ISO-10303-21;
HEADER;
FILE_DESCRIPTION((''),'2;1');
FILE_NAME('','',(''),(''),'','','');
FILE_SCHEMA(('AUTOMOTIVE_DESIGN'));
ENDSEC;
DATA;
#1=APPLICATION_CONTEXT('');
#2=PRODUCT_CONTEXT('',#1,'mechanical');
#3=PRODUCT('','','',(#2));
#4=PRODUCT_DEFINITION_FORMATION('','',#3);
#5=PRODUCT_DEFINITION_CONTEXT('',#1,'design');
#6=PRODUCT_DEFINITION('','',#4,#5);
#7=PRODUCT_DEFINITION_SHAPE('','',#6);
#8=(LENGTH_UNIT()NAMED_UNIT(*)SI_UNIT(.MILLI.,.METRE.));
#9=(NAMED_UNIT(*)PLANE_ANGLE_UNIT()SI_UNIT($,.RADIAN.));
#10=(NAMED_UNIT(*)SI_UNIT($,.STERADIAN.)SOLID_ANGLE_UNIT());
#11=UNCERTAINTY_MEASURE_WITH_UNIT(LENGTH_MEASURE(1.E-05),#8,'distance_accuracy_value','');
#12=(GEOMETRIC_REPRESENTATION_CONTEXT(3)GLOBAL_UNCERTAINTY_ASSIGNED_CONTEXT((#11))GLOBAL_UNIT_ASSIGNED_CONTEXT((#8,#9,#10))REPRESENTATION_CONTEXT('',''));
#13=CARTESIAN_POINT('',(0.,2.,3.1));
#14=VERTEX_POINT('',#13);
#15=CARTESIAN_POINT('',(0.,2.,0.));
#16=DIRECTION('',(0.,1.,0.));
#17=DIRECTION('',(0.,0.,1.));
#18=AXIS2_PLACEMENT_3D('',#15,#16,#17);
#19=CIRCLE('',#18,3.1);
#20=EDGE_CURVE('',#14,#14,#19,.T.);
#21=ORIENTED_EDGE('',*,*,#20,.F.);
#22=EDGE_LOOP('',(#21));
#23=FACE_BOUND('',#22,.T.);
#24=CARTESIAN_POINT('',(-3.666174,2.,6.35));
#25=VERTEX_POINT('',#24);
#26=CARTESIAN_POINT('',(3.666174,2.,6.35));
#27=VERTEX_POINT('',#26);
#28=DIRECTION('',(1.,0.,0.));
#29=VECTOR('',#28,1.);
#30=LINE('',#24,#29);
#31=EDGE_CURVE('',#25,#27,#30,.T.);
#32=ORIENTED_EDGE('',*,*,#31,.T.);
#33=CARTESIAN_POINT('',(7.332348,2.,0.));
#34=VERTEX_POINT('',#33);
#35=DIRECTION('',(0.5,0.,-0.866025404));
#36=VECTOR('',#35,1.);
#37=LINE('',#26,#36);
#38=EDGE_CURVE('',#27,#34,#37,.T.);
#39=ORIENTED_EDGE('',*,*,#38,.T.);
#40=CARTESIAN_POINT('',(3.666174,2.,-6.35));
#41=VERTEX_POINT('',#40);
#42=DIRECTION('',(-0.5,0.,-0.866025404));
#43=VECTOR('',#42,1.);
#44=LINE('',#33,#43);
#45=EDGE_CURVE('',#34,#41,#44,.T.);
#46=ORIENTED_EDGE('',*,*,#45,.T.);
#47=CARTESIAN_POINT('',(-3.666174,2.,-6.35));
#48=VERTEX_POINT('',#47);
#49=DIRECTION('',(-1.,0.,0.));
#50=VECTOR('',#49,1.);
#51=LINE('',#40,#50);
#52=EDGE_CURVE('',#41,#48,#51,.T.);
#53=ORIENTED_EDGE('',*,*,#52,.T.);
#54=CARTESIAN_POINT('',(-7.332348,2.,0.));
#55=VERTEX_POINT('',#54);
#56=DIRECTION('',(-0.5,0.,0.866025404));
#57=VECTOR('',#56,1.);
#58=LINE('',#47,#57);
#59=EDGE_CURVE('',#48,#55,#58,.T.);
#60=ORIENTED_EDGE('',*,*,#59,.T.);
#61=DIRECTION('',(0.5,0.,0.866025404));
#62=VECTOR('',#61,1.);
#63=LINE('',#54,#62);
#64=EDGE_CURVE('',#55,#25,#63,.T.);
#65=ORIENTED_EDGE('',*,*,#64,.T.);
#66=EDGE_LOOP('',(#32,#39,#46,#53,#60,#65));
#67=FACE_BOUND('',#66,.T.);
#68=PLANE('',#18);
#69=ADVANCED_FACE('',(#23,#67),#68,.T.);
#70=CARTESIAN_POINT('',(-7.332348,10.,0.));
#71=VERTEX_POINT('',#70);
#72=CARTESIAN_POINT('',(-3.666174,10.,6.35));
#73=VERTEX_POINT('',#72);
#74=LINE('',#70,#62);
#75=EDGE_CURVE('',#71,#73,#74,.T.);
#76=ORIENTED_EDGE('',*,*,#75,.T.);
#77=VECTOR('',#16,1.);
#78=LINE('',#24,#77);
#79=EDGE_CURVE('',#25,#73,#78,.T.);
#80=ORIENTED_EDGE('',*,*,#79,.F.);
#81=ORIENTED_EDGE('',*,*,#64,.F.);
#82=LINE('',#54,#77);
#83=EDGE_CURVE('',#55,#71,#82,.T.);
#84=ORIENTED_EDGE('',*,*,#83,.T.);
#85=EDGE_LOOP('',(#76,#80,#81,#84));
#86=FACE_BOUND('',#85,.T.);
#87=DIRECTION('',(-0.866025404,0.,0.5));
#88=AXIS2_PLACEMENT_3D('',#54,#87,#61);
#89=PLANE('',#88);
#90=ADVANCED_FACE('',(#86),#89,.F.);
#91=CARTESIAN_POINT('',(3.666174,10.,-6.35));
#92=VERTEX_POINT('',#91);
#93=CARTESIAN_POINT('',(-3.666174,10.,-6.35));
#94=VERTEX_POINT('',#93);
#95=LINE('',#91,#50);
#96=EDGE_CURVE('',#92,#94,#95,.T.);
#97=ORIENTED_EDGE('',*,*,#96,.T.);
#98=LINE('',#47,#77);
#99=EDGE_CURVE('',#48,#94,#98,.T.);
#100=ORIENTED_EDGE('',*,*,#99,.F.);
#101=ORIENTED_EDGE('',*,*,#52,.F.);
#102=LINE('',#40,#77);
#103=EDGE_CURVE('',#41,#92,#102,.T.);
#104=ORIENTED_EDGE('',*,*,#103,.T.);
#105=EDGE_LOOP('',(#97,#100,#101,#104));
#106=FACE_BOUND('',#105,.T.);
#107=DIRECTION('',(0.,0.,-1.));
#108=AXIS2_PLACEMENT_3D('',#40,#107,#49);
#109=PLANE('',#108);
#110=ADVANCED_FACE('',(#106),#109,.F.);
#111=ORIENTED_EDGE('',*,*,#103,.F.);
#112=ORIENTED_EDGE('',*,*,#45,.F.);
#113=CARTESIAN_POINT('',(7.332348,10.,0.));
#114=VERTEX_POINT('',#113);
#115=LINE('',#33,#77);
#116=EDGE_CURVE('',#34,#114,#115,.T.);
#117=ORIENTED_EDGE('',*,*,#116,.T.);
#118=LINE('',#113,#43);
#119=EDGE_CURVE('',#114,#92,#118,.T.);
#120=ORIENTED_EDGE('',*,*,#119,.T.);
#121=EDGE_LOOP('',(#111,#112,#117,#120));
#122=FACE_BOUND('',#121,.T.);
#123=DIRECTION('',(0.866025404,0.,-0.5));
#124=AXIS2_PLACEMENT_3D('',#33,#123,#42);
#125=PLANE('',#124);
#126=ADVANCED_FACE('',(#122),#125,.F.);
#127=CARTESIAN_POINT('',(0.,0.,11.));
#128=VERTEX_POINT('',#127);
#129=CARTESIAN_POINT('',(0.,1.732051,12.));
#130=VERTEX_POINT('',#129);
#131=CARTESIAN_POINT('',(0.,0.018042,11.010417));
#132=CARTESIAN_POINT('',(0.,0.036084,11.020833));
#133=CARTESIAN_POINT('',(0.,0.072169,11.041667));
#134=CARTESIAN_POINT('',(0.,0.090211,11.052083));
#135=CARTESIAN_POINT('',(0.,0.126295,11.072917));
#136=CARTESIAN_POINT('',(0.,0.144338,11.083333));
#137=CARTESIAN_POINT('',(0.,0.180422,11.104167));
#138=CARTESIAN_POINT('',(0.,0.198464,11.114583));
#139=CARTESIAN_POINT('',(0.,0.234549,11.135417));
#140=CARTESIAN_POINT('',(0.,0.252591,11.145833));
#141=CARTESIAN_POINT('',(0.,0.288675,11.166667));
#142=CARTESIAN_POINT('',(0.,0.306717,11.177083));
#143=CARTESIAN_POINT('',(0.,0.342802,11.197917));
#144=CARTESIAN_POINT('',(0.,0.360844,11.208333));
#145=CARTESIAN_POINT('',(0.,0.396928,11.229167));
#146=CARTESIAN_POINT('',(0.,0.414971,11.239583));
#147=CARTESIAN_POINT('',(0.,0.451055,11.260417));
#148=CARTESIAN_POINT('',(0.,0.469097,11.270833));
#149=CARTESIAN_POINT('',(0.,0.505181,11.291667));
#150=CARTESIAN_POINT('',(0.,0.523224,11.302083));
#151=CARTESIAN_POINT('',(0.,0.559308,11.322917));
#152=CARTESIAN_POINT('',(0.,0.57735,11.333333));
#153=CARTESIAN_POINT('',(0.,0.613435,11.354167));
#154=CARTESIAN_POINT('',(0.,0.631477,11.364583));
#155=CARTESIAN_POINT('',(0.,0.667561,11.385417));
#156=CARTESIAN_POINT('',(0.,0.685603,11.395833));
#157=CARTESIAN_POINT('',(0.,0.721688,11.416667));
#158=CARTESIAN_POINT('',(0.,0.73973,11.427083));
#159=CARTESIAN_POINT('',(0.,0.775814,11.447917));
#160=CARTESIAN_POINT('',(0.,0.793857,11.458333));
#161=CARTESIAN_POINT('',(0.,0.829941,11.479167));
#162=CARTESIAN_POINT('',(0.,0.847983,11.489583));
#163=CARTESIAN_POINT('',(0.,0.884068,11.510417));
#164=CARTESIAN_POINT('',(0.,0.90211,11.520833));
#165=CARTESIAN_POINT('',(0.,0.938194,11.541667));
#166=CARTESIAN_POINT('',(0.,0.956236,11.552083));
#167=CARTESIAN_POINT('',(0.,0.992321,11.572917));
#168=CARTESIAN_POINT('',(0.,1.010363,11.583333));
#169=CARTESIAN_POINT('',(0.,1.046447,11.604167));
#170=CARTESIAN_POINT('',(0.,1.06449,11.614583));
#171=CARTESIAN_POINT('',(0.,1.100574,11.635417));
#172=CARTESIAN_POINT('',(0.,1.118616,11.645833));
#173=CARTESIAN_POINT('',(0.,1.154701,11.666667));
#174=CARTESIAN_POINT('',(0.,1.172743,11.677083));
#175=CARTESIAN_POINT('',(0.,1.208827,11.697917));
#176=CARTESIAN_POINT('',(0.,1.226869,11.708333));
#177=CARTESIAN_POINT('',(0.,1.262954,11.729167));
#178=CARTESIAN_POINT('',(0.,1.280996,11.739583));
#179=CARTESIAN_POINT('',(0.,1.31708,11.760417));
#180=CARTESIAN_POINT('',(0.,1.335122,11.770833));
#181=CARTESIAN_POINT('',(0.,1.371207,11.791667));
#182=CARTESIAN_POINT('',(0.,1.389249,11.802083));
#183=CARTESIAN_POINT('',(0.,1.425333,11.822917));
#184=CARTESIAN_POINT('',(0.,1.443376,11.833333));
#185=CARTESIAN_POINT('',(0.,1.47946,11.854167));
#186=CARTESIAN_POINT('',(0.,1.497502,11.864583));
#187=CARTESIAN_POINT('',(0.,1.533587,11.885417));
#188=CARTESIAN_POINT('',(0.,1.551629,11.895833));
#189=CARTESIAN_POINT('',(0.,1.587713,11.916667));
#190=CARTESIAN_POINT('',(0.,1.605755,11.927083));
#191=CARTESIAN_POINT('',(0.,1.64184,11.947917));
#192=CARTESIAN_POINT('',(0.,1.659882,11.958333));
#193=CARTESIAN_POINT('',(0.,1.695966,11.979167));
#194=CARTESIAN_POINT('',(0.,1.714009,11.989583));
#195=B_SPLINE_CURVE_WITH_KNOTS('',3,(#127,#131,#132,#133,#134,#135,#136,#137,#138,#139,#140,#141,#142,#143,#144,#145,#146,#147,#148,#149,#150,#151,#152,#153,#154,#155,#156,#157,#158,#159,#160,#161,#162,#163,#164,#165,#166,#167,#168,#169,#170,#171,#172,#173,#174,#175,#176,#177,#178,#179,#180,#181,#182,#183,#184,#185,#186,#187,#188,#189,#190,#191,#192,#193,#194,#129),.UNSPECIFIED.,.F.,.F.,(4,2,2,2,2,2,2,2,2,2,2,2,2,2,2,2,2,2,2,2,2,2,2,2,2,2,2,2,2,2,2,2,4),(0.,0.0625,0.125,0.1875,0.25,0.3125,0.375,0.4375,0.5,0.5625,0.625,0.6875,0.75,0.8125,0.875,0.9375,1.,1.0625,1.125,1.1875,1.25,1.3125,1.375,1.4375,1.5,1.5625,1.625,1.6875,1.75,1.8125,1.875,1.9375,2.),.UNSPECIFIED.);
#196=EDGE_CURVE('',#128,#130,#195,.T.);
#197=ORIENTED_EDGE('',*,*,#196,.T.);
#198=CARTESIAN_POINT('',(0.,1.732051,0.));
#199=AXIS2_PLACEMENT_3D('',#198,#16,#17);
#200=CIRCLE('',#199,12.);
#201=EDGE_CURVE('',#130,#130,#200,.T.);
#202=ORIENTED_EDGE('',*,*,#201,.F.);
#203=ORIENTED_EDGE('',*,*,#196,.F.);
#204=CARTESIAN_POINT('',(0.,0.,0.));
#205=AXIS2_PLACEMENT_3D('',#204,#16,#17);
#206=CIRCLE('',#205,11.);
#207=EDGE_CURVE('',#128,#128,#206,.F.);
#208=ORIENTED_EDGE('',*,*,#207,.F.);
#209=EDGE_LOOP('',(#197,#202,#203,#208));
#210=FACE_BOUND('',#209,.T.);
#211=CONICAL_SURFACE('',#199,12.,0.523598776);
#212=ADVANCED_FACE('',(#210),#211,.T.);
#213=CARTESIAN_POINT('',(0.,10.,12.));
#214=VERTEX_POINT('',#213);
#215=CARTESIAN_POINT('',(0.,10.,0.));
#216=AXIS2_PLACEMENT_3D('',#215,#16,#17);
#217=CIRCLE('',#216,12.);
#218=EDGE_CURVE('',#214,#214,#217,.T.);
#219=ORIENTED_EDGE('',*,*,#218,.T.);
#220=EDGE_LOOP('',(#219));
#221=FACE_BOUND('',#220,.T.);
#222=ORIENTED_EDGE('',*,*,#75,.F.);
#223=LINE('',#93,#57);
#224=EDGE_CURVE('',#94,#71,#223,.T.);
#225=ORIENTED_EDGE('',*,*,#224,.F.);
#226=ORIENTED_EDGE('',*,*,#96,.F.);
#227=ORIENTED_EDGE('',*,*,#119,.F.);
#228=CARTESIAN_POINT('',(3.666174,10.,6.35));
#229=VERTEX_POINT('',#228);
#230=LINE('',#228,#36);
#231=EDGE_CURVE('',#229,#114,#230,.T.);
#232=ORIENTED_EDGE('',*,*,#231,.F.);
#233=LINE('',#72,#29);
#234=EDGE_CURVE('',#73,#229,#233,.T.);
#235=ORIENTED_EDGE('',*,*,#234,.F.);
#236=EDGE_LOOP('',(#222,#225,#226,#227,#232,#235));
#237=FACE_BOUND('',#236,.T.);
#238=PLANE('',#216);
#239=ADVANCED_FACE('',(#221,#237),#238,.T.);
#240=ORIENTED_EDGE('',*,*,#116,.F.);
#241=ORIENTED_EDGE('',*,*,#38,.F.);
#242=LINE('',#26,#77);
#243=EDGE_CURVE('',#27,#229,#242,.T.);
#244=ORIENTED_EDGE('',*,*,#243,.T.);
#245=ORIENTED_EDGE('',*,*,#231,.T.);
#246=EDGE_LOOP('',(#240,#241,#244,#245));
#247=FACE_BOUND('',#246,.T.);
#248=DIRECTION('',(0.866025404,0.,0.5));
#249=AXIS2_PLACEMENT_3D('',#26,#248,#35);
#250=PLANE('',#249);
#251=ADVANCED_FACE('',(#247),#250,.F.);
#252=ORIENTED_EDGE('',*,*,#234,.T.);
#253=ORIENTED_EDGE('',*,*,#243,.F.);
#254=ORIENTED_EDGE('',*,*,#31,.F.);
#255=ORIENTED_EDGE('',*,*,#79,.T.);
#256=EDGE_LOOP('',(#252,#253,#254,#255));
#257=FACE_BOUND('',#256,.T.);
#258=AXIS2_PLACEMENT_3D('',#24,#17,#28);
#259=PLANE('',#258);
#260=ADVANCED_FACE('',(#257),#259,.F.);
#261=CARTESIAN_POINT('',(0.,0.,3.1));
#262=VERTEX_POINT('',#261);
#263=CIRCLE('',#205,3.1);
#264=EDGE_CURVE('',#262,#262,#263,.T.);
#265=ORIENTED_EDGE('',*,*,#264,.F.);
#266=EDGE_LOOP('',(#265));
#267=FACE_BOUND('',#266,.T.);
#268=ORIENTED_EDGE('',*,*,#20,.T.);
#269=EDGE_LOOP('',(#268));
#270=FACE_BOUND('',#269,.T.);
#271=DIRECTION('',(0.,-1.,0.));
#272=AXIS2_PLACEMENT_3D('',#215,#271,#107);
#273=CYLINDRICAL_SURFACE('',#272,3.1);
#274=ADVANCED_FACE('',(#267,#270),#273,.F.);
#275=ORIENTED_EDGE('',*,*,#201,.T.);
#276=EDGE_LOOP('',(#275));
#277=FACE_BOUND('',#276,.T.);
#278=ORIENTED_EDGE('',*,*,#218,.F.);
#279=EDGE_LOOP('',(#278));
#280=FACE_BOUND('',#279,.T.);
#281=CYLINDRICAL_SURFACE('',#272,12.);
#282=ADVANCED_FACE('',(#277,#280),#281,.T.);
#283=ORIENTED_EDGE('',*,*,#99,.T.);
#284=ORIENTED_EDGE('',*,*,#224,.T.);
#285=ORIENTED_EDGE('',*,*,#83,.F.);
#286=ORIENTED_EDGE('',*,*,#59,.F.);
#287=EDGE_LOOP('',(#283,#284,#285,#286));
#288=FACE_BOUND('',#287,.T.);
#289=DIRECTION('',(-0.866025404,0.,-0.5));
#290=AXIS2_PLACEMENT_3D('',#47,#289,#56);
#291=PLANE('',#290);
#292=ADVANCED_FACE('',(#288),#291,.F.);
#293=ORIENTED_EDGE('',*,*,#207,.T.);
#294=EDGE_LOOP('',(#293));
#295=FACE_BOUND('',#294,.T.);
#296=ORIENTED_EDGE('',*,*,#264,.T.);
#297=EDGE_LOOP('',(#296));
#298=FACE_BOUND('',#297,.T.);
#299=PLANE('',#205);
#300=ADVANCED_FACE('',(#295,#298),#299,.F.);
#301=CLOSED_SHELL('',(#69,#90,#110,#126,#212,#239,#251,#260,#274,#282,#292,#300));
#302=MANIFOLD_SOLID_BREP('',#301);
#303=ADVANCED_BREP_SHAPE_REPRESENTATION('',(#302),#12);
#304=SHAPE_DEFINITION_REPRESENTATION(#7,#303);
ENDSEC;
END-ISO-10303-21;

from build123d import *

# Parameters (mm, degrees)
SKETCH1_R           = 12
SKETCH1_R_2         = 3.1
BOSS_EXTRUDE1_DEPTH = 10
CUT_EXTRUDE1_DEPTH  = 8
CHAMFER1_SIZE       = 1
CHAMFER1_SIZE2      = 1.732050808


with BuildPart() as part:
    # Sketch1 → Boss-Extrude1 (new body)
    with BuildSketch(Plane(origin=(0, 0, 0), x_dir=(1, 0, 0), z_dir=(0, 1, 0))):
        with Locations(Location((0, 0, 0), (0, 0, 270))):
            Circle(SKETCH1_R)
        with Locations(Location((0, 0, 0), (0, 0, 270))):
            Circle(SKETCH1_R_2, mode=Mode.SUBTRACT)
    extrude(amount=BOSS_EXTRUDE1_DEPTH)

    # Sketch2 → Cut-Extrude1 (cut)
    with BuildSketch(Plane(origin=(0, 10, 0), x_dir=(1, 0, 0), z_dir=(0, 1, 0))):
        Polygon((7.332348419, 0), (3.666174209, 6.35), (-3.666174209, 6.35), (-7.332348419, 0), (-3.666174209, -6.35), (3.666174209, -6.35), align=None)
    extrude(amount=-CUT_EXTRUDE1_DEPTH, mode=Mode.SUBTRACT)

    # Chamfer1
    chamfer1_edges = [part.edges().sort_by_distance(p)[0] for p in [
        (0, 0, -12),
    ]]
    chamfer1_side = [part.faces().sort_by_distance(p)[0] for p in [
        (0, 0, -11.660588745),
    ]]
    chamfer(chamfer1_edges, length=CHAMFER1_SIZE, length2=CHAMFER1_SIZE2, reference=chamfer1_side[0])


solid = part.part
